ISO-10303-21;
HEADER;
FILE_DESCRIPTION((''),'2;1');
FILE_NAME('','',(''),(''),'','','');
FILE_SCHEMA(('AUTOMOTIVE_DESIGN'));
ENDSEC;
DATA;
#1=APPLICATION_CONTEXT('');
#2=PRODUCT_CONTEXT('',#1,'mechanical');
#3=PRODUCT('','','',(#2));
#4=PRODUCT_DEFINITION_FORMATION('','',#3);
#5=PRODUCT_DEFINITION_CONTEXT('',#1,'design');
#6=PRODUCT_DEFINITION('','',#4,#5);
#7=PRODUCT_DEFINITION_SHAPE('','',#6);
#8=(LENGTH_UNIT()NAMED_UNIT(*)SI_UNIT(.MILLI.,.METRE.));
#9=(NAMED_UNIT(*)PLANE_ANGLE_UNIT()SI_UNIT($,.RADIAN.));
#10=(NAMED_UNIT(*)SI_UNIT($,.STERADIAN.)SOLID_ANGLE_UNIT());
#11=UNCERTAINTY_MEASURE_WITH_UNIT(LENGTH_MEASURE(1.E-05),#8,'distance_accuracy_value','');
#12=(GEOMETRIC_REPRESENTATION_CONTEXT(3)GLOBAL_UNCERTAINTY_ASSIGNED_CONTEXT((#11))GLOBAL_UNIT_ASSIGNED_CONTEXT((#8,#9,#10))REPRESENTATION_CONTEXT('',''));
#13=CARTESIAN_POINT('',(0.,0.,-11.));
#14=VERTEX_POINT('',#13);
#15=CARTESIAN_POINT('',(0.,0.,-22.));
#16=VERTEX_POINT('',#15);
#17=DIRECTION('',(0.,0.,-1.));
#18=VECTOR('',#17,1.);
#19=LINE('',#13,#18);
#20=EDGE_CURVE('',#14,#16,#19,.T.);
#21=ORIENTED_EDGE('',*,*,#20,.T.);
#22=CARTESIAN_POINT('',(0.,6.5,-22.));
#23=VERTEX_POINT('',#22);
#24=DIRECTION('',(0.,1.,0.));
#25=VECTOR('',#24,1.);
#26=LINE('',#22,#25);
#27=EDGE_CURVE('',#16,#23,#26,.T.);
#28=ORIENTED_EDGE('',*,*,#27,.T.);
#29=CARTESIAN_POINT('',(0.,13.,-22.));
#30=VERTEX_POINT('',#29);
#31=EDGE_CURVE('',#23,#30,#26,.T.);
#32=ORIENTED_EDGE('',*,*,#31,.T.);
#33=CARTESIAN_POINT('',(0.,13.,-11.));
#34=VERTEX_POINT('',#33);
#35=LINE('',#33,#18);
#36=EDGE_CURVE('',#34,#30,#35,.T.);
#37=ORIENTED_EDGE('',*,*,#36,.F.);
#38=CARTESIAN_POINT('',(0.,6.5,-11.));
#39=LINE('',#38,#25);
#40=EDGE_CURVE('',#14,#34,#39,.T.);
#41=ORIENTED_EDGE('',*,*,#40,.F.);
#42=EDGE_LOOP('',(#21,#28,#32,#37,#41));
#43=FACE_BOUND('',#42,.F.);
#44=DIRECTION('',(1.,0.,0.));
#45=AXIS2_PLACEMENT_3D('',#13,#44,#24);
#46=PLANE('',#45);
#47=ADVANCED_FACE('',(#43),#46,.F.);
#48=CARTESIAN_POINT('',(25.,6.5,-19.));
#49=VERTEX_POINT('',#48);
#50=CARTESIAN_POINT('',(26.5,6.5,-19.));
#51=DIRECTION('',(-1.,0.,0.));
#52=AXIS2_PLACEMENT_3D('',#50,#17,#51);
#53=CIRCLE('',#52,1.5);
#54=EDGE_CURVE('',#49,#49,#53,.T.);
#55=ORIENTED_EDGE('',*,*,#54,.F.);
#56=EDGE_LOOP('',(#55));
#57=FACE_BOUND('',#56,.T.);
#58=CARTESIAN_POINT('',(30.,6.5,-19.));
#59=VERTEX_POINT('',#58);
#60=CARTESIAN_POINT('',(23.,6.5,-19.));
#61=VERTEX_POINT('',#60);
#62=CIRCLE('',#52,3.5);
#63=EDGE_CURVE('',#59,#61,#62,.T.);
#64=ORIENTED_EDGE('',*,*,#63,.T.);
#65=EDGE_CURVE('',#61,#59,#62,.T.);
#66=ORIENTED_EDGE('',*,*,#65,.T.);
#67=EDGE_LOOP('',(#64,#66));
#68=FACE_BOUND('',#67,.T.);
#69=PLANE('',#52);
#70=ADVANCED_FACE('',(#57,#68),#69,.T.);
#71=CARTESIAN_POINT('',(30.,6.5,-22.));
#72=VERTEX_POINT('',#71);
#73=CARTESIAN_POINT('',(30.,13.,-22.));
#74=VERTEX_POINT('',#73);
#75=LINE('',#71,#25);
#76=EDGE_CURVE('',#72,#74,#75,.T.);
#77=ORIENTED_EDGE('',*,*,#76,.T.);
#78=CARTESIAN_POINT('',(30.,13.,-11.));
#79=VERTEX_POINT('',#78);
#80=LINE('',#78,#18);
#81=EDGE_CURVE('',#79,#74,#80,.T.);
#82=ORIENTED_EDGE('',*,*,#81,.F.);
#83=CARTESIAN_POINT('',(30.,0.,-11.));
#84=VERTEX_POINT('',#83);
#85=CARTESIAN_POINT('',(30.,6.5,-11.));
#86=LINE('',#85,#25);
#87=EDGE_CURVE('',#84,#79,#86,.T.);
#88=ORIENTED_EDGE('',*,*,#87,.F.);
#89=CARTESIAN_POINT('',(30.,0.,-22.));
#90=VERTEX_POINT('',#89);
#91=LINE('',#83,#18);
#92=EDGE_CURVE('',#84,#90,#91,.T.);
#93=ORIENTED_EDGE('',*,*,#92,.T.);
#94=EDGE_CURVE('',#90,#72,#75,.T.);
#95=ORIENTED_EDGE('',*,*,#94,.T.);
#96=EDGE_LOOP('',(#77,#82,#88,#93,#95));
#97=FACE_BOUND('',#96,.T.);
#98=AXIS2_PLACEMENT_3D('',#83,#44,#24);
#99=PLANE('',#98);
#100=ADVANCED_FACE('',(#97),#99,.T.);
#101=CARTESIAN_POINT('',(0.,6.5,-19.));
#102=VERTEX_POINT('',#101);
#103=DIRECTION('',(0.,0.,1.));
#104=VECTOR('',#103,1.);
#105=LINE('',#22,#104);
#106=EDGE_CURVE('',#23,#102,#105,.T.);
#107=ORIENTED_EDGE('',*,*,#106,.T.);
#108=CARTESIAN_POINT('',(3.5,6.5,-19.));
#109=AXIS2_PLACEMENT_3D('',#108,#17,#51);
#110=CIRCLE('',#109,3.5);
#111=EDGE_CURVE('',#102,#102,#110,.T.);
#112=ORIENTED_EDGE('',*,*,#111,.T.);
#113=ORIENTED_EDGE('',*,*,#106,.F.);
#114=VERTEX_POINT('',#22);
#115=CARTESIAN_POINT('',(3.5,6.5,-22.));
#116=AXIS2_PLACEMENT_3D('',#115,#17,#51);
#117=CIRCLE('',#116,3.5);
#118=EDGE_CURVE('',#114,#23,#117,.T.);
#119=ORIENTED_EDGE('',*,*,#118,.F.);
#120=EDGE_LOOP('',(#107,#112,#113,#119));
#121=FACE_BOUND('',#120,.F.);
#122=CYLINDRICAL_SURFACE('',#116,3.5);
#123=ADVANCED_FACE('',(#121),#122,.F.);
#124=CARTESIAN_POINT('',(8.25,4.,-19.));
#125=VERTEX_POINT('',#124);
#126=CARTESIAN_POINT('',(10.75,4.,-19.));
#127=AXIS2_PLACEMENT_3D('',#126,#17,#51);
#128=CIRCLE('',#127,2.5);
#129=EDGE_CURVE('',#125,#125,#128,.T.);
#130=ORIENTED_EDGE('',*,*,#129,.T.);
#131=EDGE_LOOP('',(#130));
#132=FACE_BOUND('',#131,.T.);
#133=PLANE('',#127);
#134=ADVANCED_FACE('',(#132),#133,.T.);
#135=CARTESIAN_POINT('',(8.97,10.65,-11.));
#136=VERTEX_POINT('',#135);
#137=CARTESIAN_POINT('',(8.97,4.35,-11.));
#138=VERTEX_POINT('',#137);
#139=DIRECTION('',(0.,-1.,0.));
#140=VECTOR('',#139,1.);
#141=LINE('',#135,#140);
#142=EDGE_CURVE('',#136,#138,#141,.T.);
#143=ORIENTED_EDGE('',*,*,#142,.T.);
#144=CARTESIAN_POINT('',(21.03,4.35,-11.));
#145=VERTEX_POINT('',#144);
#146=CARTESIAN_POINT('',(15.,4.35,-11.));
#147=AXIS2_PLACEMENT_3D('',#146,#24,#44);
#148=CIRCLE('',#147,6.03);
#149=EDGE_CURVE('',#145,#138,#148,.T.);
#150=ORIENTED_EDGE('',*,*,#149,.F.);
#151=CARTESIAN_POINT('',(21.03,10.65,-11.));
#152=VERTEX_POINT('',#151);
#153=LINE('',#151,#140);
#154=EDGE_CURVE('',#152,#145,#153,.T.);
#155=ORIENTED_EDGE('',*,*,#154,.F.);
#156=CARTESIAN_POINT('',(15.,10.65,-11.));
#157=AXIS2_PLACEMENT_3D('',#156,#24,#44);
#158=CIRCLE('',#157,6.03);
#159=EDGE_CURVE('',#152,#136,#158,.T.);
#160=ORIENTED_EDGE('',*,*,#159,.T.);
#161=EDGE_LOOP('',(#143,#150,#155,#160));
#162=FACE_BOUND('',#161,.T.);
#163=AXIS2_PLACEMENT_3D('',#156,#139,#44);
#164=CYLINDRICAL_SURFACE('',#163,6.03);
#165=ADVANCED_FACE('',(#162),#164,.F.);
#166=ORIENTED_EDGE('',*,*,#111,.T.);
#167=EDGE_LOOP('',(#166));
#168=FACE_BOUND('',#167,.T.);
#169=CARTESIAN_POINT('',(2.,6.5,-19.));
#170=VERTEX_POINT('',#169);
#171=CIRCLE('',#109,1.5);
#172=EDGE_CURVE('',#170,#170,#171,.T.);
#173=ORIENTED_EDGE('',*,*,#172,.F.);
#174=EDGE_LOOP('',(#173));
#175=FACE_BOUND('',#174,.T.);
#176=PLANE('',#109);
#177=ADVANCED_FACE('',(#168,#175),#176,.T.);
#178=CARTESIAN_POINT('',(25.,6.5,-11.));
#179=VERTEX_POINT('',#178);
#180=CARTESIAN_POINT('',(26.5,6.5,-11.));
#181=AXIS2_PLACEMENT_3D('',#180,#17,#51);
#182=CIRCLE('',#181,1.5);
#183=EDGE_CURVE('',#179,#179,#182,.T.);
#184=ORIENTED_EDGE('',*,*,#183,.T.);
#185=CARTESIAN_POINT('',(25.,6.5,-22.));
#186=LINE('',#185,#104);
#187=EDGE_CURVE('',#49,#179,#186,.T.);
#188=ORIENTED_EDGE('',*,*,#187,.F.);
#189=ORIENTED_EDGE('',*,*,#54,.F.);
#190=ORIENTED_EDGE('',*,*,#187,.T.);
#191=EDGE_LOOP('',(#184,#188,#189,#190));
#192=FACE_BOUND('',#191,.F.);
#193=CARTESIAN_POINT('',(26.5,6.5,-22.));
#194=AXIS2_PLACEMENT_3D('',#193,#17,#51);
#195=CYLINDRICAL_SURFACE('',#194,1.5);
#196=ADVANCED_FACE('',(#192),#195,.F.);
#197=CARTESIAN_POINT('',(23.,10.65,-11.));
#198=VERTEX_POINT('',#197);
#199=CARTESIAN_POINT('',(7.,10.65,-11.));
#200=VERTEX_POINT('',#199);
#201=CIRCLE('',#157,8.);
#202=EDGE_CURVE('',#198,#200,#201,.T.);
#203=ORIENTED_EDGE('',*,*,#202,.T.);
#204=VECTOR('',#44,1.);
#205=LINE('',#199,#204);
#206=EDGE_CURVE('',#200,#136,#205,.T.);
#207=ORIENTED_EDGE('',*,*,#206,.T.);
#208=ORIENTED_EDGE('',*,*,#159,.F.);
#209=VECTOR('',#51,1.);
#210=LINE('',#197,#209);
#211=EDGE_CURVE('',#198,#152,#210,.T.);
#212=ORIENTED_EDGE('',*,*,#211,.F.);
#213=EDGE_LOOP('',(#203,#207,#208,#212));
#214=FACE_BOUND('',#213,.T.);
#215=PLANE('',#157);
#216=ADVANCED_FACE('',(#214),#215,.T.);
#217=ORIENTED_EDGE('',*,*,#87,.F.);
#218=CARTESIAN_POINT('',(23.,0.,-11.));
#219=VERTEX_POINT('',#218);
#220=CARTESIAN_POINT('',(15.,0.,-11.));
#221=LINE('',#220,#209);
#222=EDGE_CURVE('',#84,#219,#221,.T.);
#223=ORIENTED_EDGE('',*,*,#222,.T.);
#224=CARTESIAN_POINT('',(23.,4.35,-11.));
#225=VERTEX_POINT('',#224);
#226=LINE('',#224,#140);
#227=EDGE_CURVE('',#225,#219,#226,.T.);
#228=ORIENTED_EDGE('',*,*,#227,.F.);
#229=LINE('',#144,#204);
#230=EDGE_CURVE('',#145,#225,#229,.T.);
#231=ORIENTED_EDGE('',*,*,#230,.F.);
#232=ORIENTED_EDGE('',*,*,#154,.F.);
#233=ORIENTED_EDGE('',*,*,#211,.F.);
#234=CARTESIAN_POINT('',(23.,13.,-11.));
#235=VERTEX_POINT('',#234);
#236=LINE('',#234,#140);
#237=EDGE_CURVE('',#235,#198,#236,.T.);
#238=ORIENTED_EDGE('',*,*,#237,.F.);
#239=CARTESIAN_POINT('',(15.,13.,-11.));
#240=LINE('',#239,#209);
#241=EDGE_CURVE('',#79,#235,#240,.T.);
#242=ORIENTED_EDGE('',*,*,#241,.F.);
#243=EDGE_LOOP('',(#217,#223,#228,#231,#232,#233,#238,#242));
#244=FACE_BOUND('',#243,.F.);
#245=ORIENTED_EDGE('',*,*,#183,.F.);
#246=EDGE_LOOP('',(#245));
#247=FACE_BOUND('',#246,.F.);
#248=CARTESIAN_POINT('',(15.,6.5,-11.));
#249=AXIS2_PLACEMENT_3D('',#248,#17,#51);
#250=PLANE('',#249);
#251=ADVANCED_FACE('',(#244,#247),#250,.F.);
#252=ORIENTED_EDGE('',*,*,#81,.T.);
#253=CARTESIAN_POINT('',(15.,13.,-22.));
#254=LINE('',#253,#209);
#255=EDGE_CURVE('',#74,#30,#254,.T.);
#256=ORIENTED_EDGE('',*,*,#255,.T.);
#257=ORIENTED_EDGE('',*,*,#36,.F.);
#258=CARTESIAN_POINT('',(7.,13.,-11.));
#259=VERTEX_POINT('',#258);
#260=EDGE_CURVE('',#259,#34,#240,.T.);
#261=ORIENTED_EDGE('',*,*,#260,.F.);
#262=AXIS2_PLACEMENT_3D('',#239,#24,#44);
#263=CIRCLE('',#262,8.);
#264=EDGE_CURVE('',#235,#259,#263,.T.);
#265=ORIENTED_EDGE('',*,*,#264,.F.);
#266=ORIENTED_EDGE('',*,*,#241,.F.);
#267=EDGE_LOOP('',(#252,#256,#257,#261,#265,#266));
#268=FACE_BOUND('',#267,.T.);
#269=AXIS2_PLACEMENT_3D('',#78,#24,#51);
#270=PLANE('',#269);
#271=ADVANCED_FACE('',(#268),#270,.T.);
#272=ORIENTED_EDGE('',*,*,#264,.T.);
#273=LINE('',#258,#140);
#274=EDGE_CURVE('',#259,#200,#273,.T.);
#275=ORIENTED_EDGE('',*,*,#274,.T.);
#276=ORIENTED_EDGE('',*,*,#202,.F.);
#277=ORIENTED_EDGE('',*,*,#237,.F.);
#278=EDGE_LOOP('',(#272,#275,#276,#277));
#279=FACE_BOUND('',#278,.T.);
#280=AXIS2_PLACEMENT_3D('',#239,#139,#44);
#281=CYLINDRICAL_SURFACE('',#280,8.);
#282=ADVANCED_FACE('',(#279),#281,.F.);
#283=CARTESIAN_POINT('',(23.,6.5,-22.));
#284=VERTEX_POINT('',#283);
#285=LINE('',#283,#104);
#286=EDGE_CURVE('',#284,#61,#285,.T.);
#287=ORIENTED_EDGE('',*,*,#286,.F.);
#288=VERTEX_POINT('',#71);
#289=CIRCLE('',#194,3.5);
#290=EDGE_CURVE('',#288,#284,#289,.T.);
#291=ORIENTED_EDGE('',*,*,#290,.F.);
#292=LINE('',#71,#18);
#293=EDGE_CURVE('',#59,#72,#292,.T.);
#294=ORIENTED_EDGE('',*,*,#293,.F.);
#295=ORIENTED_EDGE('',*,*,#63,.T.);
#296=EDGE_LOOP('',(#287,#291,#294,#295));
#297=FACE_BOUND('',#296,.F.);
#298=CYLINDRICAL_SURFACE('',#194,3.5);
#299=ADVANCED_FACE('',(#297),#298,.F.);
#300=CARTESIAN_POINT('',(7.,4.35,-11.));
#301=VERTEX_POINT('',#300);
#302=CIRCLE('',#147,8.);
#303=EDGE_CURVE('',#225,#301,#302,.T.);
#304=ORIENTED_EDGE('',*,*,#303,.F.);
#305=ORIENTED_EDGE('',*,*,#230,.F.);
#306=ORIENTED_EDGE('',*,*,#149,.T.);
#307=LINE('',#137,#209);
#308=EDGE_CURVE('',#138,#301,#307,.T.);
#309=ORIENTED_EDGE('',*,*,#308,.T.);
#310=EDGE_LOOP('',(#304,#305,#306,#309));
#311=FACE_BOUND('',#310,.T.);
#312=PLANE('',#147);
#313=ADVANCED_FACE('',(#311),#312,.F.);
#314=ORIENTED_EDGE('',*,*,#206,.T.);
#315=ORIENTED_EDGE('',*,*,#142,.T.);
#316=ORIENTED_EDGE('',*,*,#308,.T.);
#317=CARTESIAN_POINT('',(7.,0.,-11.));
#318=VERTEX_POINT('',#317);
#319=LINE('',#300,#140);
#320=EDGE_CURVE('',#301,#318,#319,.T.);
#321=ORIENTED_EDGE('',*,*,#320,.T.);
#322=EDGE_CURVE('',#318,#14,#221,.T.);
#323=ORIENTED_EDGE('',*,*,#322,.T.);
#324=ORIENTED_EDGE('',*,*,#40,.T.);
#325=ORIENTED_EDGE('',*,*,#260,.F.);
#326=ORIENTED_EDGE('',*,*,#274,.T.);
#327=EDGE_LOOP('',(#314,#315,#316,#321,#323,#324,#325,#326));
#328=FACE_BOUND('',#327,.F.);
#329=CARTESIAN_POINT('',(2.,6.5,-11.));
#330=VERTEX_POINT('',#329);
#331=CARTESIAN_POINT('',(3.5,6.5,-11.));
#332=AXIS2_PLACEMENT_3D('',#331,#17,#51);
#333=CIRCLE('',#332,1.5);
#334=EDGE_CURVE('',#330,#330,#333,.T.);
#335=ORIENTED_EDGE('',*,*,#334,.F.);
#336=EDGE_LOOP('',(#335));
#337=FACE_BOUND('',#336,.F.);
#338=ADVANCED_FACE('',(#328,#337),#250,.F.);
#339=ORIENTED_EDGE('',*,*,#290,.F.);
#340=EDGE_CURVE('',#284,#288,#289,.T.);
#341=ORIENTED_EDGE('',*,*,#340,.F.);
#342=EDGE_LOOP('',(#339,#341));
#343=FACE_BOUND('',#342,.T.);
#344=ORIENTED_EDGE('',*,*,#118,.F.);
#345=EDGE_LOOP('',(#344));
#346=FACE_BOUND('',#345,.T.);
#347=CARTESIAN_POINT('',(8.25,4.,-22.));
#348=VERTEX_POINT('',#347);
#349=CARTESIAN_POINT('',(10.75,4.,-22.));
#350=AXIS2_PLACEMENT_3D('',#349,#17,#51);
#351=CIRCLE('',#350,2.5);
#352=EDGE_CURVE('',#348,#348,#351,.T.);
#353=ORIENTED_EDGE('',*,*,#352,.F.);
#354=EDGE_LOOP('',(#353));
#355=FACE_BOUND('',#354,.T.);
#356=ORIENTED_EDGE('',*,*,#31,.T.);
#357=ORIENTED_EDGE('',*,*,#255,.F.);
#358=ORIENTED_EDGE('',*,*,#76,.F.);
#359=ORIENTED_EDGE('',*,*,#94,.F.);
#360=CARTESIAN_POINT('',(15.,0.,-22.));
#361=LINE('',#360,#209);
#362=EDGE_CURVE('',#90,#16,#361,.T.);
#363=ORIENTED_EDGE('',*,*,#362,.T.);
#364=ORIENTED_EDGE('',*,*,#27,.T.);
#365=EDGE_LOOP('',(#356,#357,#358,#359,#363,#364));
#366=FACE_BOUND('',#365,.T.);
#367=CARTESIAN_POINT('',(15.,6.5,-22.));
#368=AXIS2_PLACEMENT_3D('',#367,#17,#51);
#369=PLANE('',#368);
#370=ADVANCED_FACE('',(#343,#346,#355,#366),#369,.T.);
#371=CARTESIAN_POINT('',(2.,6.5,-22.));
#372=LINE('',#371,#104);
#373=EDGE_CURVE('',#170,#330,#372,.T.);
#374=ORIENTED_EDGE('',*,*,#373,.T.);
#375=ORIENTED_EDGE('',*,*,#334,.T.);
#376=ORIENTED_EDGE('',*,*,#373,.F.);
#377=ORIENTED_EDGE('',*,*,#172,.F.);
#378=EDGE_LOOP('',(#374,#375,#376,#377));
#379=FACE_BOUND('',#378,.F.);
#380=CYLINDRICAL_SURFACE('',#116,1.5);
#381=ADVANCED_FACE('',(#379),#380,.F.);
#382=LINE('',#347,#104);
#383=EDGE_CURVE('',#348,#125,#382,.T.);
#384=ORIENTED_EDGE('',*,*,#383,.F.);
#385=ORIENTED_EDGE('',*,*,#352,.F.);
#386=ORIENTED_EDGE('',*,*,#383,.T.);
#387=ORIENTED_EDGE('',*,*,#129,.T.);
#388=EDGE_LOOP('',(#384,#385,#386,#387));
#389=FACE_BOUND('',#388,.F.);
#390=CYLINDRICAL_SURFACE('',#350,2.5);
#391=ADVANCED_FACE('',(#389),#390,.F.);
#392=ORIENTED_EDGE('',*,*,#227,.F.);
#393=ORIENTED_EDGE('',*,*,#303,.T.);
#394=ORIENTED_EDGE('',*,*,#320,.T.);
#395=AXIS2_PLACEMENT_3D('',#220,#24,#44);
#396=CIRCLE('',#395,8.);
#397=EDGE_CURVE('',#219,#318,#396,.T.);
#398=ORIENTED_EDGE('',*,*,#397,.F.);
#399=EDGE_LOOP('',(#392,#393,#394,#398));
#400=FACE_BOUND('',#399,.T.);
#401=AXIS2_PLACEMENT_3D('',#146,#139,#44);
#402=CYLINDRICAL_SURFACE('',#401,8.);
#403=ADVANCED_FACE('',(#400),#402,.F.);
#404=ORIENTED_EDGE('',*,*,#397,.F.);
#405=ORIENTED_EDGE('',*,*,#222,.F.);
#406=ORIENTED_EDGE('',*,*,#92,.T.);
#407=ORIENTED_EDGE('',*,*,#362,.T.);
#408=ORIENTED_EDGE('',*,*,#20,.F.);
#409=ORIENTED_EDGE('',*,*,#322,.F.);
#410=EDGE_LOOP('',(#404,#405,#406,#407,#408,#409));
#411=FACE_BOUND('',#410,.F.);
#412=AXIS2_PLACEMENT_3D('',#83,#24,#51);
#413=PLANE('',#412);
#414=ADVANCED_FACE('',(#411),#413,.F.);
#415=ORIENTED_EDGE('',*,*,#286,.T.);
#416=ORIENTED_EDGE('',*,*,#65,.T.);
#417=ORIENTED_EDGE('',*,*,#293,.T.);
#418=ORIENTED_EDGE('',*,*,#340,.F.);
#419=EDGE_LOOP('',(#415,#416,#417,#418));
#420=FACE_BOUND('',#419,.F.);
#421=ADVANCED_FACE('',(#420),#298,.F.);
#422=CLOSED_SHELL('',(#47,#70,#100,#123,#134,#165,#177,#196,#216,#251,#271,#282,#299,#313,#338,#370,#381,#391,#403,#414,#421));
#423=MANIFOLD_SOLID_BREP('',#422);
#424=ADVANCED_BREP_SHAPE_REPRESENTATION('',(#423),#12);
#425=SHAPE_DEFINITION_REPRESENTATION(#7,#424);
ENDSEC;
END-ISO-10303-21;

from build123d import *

# Parameters (mm, degrees)
SKETCH016_W             = 30
SKETCH016_H             = 13
PAD006_DEPTH            = 11
GROOVE001_ANGLE         = 180
SKETCH018_R             = 1.5
POCKET007_DEPTH         = 20
SKETCH019_R             = 3.5
POCKET008_DEPTH         = 3
SKETCH041_R             = 2.5
POCKET017_DEPTH         = 3
BODY001_PLACEMENT_ANGLE = 180


with BuildPart() as part:
    # Sketch016 → Pad006 (new body)
    with BuildSketch(Plane.XY):
        with Locations((-25, 6.5)):
            Rectangle(SKETCH016_W, SKETCH016_H)
    extrude(amount=PAD006_DEPTH)

    # Sketch017 (on Face5 of Pad006) → Groove001 (revolve, cut)
    with BuildSketch(Plane(origin=(0, 0, 0), x_dir=(1, 0, 0), z_dir=(0, 0, -1))):
        Polygon((-33, -13), (-33, -10.65), (-31.03, -10.65), (-31.03, -4.35), (-33, -4.35), (-33, 0), (-25, 0), (-25, -13), align=None)
    revolve(axis=Axis((-25, 0, 0), (0, 1, 0)), revolution_arc=GROOVE001_ANGLE, mode=Mode.SUBTRACT)

    # Sketch018 (on Face6 of Groove001) → Pocket007 (cut)
    with BuildSketch(Plane.XY.offset(11)):
        with Locations((-36.5, 6.5)):
            Circle(SKETCH018_R)
        with Locations((-13.5, 6.5)):
            Circle(SKETCH018_R)
    extrude(amount=-POCKET007_DEPTH, mode=Mode.SUBTRACT)

    # Sketch019 (on Face6 of Pocket007) → Pocket008 (cut)
    with BuildSketch(Plane.XY.offset(11)):
        with Locations((-36.5, 6.5)):
            Circle(SKETCH019_R)
        with Locations((-13.5, 6.5)):
            Circle(SKETCH019_R)
    extrude(amount=-POCKET008_DEPTH, mode=Mode.SUBTRACT)

    # Sketch041 (on Face6 of Pocket008) → Pocket017 (cut)
    with BuildSketch(Plane.XY.offset(11)):
        with Locations((-20.75, 4)):
            Circle(SKETCH041_R)
    extrude(amount=-POCKET017_DEPTH, mode=Mode.SUBTRACT)


with BuildPart() as part_1:
    # Body001 placement: moved
    add(part.part.moved(Location((-10, 0, -11))).rotate(Axis((-10, 0, -11), (0, 1, 0)), BODY001_PLACEMENT_ANGLE))


solid = part_1.part
